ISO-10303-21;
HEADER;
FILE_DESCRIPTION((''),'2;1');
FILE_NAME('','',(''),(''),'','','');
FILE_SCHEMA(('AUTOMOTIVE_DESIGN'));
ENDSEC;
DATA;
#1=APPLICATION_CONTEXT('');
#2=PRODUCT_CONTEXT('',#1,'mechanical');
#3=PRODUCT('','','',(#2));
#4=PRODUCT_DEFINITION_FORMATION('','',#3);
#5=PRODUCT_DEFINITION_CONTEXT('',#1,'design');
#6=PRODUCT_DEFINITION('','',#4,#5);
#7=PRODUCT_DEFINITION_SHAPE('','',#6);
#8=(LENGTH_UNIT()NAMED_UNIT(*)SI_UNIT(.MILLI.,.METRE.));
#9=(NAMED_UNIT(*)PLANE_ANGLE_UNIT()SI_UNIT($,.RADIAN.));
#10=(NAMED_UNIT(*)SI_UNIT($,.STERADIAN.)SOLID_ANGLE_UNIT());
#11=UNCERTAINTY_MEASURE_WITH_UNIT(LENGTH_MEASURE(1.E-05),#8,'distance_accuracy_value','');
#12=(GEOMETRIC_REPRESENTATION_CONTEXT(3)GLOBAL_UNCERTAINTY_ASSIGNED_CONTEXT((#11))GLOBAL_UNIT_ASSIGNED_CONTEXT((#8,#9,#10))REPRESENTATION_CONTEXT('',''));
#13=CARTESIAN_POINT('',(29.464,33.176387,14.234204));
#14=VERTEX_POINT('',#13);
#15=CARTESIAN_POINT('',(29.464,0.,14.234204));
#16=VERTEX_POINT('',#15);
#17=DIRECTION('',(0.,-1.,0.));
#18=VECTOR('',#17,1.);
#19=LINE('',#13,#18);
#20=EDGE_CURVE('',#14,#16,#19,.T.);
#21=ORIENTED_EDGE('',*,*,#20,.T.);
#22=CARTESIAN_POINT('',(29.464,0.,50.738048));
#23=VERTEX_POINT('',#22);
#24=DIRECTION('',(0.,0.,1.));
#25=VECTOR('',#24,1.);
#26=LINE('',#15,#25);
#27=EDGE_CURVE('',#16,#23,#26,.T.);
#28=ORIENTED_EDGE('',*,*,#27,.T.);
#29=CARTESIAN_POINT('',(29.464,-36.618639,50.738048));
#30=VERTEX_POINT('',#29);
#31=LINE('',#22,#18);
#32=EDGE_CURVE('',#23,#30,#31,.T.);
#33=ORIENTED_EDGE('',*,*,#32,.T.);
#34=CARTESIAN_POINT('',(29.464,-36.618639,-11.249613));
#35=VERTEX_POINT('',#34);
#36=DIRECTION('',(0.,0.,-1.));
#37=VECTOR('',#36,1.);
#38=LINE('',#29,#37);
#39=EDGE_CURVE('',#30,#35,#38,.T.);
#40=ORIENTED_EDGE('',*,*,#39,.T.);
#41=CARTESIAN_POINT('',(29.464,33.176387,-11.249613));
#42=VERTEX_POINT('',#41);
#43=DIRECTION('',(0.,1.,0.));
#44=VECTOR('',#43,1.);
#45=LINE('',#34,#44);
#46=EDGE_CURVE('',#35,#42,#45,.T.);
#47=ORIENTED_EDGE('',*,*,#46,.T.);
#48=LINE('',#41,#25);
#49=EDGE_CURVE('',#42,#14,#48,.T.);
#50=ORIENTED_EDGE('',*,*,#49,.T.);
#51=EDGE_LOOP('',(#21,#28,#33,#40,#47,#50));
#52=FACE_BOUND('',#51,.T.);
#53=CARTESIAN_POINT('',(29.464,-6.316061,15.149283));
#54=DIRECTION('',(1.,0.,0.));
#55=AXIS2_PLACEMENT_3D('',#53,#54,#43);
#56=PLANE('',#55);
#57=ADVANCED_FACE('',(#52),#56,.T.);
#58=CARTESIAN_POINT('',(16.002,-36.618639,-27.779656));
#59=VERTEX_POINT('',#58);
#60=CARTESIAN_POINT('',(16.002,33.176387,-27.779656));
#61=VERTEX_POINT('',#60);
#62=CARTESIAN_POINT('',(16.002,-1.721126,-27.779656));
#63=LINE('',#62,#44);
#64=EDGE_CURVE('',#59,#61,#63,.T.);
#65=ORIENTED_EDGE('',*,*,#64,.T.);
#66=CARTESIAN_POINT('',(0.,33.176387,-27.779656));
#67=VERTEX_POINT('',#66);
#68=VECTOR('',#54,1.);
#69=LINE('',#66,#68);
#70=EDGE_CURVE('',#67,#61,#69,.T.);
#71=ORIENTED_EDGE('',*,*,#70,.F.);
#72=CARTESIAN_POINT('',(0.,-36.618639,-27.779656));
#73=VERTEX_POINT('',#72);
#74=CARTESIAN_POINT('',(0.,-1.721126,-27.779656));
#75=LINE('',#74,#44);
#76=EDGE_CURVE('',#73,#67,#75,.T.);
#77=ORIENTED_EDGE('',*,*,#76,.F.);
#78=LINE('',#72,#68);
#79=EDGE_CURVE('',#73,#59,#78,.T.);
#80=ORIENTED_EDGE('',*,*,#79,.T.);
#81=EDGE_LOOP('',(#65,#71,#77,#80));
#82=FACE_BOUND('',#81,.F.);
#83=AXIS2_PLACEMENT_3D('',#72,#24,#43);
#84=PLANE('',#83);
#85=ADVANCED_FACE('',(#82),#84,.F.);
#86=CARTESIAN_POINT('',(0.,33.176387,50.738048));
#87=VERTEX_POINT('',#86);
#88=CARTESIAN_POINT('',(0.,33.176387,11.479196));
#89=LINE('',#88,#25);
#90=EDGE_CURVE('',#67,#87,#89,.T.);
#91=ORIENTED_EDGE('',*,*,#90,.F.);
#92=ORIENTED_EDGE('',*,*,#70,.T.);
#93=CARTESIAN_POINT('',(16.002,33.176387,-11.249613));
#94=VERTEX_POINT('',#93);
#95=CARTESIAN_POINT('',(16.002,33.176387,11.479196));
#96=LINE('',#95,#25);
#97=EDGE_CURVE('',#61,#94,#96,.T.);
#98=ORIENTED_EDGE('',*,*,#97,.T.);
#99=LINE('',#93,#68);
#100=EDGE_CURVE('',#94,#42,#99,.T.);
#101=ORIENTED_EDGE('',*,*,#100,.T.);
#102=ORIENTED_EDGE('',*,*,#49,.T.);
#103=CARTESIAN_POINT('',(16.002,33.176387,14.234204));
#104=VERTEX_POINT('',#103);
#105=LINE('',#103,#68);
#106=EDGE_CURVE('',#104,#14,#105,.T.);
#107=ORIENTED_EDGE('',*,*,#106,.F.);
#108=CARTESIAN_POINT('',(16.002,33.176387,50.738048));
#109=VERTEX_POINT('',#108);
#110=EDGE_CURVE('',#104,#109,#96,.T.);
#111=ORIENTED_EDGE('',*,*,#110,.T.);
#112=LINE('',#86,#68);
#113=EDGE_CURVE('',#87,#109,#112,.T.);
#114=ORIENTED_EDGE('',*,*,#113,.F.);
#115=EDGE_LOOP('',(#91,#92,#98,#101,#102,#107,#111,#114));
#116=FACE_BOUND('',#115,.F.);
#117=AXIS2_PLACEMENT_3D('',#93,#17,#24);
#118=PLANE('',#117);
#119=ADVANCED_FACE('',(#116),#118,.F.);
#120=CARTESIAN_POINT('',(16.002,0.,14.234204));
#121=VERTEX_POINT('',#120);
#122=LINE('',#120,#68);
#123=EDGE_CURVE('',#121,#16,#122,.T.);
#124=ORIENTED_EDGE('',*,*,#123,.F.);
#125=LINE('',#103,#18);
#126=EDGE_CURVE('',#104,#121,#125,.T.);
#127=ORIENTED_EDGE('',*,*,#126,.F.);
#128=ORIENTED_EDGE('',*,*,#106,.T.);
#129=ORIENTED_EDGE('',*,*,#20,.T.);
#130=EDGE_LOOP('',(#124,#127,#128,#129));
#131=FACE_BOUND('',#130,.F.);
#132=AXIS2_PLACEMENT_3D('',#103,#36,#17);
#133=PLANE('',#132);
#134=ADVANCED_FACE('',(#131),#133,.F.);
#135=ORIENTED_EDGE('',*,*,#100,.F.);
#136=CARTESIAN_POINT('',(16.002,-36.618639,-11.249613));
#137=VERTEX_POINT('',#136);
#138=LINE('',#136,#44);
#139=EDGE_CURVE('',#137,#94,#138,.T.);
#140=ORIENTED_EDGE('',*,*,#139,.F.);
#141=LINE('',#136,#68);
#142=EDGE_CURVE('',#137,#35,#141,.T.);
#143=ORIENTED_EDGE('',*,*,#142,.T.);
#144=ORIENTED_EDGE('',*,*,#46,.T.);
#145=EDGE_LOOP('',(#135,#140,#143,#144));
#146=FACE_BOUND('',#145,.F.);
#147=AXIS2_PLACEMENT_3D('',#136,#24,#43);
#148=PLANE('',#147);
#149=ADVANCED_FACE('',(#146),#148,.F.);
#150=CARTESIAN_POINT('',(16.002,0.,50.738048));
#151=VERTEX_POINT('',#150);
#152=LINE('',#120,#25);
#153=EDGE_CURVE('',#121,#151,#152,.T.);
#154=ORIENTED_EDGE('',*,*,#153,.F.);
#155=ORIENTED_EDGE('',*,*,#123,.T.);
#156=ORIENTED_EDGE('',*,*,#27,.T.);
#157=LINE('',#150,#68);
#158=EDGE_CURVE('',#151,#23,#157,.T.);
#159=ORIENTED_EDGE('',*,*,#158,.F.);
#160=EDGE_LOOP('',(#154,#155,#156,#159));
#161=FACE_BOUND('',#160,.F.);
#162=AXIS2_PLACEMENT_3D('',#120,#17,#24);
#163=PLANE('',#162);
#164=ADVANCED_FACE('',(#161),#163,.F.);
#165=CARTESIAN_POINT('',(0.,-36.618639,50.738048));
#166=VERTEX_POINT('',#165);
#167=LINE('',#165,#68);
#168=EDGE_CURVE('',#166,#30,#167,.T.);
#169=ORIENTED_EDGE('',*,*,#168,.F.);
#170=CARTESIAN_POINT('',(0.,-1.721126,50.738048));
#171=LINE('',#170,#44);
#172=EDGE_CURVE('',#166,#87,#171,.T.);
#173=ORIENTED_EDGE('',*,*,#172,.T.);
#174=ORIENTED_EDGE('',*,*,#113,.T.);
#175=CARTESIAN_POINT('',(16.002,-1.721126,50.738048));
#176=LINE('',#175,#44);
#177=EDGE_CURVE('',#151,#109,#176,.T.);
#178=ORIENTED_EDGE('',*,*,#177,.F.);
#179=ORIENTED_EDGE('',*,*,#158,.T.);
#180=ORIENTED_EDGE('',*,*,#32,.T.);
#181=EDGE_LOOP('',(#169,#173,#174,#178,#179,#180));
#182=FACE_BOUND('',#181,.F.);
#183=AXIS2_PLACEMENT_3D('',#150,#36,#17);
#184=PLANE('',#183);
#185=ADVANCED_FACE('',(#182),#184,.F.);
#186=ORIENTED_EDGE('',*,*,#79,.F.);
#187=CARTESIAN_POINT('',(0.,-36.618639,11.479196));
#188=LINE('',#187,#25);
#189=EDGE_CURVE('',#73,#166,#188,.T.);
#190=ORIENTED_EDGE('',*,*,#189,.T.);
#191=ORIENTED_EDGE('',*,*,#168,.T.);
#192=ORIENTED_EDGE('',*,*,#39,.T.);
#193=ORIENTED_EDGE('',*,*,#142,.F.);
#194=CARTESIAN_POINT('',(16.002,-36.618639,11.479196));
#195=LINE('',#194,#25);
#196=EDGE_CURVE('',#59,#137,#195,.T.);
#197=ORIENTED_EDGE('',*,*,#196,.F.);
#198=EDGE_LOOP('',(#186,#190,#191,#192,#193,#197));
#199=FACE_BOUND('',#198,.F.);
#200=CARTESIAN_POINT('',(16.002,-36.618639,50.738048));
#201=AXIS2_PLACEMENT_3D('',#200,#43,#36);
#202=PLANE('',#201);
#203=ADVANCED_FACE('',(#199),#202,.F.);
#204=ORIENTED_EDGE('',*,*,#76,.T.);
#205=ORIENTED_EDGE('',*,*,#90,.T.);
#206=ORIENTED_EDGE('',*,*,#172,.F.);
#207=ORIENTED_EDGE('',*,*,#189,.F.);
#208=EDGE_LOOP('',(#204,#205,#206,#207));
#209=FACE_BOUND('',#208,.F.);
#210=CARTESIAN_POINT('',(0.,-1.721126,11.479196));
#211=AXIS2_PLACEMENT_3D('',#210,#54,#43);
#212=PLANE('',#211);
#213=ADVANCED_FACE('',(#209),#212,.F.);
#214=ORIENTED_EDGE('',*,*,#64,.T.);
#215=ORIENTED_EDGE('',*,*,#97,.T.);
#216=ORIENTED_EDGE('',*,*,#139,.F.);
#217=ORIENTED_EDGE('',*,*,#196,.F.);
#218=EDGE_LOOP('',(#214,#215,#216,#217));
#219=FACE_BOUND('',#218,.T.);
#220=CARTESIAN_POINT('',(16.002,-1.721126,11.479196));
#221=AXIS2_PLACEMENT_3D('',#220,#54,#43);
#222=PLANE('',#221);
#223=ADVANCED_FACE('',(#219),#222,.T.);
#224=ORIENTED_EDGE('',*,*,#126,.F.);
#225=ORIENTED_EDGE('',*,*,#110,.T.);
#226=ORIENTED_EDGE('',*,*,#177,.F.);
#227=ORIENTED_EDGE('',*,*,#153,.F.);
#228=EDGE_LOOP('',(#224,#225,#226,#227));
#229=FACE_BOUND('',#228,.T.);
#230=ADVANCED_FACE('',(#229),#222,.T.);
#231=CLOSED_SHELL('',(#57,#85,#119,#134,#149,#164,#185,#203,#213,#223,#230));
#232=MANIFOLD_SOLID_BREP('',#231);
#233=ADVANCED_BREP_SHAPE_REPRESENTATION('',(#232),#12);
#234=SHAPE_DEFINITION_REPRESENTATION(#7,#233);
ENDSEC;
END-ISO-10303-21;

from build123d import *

# Parameters (mm, degrees)
F0_W     = 69.795026
F0_H     = 78.517704
F1_DEPTH = 16.002
F3_DEPTH = 13.462


with BuildPart() as f1:
    # F0 (on Right) → F1 (new body)
    with BuildSketch(Plane.YZ):
        with Locations((-1.721126, 11.479196)):
            Rectangle(F0_W, F0_H)
    extrude(amount=F1_DEPTH)

    # F2 (on face) → F3 (join)
    with BuildSketch(Plane.YZ.offset(16.002)):
        Polygon((0, 14.234204), (0, 50.738048), (-36.618639, 50.738048), (-36.618639, -11.249613), (33.176387, -11.249613), (33.176387, 14.234204), align=None)
    extrude(amount=F3_DEPTH)


solid = f1.part
